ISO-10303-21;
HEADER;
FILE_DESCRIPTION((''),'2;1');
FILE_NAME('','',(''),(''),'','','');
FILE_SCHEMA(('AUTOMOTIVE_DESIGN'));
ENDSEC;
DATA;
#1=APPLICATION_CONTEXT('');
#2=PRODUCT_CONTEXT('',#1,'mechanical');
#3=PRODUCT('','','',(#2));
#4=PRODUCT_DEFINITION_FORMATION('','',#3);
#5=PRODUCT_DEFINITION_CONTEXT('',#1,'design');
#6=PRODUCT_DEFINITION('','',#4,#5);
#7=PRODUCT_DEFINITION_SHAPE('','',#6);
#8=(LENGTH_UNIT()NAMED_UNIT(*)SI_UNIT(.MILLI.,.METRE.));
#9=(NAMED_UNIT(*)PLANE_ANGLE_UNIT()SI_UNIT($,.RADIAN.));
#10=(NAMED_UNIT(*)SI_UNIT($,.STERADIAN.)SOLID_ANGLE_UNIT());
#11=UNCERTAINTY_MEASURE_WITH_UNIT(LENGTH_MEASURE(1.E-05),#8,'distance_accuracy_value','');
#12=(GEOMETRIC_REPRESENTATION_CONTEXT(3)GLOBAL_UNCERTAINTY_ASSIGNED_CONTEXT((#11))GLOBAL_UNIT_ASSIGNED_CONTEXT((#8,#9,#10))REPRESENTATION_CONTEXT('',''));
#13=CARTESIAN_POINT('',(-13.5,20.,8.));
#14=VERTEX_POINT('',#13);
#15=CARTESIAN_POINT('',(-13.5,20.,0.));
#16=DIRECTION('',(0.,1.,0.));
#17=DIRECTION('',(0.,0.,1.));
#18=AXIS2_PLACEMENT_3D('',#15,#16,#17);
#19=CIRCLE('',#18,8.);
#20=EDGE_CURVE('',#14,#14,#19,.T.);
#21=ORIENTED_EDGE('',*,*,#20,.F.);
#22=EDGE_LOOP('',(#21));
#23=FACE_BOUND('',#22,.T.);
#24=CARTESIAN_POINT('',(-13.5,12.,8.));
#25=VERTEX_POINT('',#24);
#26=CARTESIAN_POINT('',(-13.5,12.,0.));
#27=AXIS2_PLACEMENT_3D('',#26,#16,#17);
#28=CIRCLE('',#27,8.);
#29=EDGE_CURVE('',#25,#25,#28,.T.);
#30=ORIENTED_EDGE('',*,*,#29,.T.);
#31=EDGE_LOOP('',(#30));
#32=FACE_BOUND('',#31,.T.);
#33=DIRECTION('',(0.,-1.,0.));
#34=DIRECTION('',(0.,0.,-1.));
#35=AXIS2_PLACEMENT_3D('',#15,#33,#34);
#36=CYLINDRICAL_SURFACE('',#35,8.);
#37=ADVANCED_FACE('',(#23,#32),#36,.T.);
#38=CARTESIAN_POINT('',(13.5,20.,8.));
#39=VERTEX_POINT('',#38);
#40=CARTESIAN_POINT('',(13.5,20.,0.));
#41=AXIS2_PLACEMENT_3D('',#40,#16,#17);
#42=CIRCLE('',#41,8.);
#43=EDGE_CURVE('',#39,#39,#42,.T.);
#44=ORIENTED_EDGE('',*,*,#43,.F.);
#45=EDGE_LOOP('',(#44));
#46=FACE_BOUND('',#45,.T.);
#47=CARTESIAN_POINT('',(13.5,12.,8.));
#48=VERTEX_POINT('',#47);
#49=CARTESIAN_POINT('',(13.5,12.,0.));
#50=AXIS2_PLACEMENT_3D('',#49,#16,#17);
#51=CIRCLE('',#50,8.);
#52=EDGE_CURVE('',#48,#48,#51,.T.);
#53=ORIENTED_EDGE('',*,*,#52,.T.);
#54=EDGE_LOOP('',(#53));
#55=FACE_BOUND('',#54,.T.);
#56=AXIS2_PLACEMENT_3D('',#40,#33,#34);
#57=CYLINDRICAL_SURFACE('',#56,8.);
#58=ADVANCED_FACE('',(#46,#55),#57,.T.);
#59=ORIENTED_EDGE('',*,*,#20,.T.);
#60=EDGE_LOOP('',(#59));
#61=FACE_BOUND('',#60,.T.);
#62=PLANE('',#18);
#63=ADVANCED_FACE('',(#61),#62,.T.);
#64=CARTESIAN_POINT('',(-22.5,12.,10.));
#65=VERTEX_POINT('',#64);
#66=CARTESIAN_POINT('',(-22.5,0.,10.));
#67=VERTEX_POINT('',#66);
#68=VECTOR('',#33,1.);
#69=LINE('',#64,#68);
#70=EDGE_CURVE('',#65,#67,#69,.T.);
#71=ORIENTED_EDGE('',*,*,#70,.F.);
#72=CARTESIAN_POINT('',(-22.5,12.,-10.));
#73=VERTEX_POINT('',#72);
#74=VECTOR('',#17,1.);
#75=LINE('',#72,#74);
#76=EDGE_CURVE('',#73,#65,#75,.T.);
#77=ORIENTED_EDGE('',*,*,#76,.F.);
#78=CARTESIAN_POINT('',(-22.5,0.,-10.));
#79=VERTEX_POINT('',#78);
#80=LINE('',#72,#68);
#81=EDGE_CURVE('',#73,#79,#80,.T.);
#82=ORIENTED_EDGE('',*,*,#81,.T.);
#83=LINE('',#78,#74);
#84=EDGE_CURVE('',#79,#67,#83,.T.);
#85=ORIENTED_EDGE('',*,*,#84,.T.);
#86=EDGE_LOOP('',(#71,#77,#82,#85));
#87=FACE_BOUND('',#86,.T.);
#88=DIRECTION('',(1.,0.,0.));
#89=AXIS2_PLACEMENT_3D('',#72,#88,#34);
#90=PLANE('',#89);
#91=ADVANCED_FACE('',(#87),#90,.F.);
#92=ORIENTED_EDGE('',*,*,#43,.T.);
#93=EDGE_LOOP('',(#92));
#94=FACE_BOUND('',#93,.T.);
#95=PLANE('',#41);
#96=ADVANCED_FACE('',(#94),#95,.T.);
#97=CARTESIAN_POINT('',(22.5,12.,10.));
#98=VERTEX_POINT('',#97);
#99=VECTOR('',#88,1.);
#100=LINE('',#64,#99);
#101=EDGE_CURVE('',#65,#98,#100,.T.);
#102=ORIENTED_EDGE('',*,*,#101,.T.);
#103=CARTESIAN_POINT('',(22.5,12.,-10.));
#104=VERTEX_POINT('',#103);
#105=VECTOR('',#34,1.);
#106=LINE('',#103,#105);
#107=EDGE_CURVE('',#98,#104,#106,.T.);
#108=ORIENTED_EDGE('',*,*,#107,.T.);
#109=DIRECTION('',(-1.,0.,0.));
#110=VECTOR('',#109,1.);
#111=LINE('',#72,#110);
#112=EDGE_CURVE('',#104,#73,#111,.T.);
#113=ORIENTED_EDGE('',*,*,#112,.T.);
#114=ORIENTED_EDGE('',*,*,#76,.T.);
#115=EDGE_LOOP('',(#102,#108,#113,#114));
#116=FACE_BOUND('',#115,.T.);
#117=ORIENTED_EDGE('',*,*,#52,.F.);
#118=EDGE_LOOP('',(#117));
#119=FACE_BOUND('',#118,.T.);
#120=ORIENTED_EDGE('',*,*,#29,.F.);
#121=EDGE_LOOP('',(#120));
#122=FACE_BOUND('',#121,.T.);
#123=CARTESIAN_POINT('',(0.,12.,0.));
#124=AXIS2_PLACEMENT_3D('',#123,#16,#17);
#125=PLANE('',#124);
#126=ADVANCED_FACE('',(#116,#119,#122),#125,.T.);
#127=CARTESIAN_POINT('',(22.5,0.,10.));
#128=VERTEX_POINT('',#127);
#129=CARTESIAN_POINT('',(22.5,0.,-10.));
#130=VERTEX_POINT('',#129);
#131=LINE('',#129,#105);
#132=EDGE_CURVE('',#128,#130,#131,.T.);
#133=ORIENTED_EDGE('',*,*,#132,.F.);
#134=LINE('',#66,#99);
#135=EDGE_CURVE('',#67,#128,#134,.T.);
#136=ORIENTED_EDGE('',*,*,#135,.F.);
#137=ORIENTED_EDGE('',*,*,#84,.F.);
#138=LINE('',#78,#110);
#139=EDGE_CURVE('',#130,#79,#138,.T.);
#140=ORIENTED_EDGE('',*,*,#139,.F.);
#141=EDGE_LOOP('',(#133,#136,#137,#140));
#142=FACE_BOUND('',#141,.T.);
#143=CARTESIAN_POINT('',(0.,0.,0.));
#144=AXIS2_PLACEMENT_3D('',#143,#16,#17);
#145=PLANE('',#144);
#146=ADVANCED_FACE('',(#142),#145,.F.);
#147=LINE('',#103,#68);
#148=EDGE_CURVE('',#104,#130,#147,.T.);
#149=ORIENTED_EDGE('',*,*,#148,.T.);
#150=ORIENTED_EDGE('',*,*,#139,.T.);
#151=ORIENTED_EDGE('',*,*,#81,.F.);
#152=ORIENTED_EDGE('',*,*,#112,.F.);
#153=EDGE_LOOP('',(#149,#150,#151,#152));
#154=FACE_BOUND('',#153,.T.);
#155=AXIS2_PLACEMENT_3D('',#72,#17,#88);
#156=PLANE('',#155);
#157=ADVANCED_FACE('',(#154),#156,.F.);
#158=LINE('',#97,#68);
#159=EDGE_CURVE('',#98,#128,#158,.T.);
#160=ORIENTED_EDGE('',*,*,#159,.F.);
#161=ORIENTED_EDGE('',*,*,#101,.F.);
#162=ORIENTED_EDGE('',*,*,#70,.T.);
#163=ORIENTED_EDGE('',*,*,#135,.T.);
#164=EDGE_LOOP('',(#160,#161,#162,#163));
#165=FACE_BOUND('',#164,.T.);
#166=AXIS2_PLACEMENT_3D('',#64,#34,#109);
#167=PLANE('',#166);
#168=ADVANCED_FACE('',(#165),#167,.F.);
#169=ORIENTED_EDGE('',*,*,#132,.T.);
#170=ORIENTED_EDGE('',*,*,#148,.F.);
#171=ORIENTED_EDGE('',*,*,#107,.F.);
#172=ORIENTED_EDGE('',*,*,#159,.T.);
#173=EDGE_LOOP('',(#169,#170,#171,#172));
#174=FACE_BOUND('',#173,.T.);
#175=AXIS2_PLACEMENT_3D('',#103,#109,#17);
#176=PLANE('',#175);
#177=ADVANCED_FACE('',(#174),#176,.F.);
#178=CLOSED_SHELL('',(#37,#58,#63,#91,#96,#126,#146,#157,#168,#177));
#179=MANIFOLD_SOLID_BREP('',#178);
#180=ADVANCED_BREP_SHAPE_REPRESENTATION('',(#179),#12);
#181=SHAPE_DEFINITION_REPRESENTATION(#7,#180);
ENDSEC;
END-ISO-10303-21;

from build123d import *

# Parameters (mm, degrees)
SKETCH1_W           = 45
SKETCH1_H           = 20
BOSS_EXTRUDE1_DEPTH = 12
SKETCH2_R           = 8
BOSS_EXTRUDE2_DEPTH = 8


with BuildPart() as part:
    # Sketch1 → Boss-Extrude1 (new body)
    with BuildSketch(Plane(origin=(0, 0, 0), x_dir=(1, 0, 0), z_dir=(0, 1, 0))):
        Rectangle(SKETCH1_W, SKETCH1_H)
    extrude(amount=BOSS_EXTRUDE1_DEPTH)

    # Sketch2 → Boss-Extrude2 (add)
    with BuildSketch(Plane(origin=(0, 12, 0), x_dir=(1, 0, 0), z_dir=(0, 1, 0))):
        with Locations(Location((-13.5, 0, 0), (0, 0, 270))):
            Circle(SKETCH2_R)
        with Locations(Location((13.5, 0, 0), (0, 0, 270))):
            Circle(SKETCH2_R)
    extrude(amount=BOSS_EXTRUDE2_DEPTH)


solid = part.part
